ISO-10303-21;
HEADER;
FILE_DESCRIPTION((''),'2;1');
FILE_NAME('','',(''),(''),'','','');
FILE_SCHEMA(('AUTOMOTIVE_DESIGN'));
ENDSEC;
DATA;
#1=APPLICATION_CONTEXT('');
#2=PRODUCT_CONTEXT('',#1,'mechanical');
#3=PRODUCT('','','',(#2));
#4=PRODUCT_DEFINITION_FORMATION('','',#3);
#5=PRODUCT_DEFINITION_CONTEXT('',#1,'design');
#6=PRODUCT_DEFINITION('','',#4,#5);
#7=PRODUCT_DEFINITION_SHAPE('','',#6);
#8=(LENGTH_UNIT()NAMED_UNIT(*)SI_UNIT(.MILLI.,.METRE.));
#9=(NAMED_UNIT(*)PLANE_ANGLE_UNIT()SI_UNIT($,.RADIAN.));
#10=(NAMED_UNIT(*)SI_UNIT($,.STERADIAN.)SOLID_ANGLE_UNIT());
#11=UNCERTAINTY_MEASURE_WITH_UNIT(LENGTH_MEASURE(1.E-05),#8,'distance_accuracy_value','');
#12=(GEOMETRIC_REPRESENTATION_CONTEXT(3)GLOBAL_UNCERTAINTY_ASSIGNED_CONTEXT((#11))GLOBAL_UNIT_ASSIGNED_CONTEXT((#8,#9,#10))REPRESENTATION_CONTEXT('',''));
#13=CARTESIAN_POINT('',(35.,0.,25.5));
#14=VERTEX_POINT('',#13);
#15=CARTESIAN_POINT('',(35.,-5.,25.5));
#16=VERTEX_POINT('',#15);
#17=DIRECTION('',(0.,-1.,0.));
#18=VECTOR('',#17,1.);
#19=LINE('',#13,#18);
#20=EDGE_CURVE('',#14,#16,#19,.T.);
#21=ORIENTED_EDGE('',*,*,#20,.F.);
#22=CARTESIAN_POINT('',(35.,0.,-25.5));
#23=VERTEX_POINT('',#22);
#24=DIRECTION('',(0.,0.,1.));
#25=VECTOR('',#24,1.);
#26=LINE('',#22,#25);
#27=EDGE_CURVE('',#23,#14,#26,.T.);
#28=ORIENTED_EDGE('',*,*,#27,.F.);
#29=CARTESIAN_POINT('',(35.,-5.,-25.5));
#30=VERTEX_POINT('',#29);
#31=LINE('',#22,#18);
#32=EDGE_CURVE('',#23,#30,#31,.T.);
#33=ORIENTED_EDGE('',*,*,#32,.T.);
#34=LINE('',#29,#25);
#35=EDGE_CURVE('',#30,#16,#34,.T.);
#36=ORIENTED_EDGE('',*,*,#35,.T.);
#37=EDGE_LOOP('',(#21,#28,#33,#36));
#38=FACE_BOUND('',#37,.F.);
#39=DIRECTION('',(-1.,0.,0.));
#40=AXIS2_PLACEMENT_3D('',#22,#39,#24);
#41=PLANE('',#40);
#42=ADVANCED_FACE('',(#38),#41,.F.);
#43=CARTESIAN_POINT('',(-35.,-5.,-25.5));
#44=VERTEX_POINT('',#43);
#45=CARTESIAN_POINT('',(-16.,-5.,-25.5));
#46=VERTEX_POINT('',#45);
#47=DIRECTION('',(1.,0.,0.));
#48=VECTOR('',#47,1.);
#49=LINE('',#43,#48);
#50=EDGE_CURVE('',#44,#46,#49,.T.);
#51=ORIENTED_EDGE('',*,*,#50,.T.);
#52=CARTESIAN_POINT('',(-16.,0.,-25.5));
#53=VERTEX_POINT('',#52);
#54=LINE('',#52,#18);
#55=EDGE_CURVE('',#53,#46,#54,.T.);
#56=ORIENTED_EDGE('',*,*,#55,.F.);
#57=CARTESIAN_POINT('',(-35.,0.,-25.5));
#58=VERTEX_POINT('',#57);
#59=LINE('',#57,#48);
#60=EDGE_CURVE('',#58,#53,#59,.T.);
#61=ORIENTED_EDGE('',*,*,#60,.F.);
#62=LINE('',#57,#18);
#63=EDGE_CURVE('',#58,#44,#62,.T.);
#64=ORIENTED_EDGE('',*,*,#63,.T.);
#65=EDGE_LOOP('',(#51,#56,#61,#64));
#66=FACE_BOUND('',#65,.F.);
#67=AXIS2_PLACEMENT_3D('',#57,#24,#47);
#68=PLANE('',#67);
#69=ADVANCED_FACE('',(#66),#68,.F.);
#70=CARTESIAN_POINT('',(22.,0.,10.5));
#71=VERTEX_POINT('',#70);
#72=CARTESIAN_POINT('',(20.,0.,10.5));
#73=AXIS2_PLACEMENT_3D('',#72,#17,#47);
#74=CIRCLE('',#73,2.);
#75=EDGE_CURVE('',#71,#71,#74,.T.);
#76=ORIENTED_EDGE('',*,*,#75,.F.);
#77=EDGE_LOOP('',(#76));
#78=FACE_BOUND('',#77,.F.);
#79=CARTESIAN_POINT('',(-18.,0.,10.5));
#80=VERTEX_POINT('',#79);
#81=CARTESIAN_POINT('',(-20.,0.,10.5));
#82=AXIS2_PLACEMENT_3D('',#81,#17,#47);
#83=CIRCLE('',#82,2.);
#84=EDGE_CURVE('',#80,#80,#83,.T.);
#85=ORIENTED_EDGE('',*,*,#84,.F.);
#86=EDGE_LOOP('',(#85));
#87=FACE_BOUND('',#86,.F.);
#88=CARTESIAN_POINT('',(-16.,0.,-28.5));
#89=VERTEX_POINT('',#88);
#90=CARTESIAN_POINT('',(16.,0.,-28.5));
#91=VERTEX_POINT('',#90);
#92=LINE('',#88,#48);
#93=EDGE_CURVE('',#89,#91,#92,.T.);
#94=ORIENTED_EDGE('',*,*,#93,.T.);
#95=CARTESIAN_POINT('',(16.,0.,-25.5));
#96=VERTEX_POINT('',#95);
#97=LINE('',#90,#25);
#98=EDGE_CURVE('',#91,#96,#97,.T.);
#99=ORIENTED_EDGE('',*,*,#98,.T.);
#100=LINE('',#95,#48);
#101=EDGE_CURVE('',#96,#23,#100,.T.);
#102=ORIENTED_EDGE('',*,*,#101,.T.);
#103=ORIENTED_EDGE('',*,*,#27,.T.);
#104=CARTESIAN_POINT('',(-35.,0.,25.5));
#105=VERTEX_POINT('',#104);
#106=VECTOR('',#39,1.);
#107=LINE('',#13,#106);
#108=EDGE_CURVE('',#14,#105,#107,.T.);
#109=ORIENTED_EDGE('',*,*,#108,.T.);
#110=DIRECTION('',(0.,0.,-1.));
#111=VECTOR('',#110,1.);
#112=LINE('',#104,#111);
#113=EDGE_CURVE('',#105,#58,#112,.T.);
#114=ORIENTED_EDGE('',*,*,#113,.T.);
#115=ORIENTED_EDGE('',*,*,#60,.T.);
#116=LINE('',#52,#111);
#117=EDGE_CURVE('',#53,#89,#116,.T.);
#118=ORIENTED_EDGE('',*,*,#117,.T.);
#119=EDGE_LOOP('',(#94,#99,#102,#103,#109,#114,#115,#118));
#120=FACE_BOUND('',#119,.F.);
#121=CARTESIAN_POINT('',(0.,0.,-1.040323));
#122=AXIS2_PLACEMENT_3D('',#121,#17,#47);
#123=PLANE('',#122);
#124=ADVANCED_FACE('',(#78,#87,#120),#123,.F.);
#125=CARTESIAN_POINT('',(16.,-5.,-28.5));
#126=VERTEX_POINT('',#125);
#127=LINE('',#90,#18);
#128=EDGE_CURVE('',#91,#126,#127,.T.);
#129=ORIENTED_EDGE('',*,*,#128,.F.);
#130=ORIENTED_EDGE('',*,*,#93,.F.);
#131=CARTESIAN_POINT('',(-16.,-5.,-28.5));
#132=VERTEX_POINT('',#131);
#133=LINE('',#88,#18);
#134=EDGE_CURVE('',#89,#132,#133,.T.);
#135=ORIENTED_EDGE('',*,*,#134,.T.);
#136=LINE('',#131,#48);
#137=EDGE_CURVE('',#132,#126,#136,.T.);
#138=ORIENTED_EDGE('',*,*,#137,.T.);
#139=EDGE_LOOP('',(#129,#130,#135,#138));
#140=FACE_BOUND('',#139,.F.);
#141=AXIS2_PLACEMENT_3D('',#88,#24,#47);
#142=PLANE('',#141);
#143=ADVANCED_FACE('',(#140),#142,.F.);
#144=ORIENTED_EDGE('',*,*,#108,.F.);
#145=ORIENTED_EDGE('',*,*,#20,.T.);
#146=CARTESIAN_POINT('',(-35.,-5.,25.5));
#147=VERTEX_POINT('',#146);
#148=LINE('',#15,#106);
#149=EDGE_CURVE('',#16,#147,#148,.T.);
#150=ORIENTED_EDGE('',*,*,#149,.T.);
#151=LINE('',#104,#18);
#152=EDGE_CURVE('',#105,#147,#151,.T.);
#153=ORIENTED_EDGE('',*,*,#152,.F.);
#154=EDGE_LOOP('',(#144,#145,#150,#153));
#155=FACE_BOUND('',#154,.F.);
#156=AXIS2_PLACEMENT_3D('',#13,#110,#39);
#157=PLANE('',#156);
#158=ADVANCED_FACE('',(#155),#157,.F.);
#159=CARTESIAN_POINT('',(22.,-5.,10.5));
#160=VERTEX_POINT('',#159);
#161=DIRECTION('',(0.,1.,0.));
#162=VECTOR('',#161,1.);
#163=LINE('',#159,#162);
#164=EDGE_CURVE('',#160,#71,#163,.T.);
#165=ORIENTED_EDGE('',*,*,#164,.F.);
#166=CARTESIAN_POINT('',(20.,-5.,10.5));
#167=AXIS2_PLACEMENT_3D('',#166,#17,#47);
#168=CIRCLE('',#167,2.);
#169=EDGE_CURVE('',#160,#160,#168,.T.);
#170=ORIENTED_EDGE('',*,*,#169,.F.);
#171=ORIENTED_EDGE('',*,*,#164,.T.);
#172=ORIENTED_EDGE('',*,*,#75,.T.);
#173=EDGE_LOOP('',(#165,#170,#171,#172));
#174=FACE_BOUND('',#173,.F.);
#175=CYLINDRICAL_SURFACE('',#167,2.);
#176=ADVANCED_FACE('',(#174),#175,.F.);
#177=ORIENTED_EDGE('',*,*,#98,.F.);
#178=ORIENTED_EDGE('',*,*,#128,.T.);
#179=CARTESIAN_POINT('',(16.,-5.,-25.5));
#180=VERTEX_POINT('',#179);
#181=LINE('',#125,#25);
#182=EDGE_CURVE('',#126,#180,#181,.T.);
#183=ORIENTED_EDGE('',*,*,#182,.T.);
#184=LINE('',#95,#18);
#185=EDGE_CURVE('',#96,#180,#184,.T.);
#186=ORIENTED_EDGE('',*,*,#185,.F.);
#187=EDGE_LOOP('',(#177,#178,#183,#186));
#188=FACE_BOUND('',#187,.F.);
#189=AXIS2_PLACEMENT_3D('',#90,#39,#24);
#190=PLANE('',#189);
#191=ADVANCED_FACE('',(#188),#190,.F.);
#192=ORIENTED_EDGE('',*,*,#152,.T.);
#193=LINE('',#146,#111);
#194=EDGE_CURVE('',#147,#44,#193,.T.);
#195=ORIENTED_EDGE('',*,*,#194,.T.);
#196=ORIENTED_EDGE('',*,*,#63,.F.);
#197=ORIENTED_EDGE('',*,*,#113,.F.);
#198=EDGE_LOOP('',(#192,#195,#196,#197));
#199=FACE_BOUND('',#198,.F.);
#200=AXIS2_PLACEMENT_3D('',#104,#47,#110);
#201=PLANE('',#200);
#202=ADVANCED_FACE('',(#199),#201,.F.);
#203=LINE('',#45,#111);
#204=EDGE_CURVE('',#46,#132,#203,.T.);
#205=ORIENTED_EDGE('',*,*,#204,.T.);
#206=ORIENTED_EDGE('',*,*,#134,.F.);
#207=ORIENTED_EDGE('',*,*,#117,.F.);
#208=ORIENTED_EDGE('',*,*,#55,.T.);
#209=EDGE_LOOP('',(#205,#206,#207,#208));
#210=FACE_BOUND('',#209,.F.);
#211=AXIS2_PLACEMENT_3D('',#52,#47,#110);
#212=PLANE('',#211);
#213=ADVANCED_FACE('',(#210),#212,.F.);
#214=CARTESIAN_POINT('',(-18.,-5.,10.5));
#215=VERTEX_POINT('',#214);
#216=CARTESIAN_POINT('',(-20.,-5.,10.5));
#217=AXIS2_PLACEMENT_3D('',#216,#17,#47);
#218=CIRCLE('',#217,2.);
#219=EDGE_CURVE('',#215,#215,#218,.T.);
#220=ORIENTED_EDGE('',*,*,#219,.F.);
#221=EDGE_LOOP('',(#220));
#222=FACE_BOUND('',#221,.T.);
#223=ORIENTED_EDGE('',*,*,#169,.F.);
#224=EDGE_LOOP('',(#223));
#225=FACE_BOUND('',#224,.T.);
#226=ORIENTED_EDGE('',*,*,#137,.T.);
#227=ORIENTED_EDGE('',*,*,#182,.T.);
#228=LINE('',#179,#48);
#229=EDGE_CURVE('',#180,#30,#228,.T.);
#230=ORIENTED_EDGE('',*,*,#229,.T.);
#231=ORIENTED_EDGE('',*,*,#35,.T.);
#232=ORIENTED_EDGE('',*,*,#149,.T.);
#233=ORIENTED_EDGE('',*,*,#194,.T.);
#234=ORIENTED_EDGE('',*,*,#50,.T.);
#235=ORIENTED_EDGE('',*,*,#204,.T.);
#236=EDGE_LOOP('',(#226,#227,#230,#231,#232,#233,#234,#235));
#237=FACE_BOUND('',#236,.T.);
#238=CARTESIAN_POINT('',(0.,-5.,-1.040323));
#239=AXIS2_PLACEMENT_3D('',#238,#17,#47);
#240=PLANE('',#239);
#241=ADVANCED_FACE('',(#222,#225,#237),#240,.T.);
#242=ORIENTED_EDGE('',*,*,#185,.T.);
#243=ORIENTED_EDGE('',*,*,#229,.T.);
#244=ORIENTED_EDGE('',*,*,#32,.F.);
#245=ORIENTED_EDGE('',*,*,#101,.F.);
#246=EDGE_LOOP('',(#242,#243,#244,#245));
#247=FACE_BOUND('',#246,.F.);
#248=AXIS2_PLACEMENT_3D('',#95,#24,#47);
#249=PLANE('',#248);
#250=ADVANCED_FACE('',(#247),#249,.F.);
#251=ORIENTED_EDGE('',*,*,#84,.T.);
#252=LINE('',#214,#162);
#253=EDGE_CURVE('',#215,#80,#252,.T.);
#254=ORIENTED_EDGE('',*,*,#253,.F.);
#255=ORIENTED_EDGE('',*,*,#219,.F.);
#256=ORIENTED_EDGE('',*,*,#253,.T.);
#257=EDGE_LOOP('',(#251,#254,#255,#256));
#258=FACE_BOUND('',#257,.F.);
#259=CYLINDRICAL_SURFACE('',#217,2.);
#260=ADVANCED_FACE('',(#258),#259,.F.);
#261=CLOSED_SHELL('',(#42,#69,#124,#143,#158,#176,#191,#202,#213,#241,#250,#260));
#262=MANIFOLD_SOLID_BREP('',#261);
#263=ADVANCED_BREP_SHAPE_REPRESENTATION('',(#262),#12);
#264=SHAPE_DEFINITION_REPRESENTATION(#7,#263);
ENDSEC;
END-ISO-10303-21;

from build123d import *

# Parameters (mm, degrees)
F1_DEPTH = 5
F2_R     = 2
F3_DEPTH = 25


with BuildPart() as f1:
    # F0 (on Front) → F1 (new body)
    with BuildSketch(Plane.XZ):
        Polygon((35, -25.5), (35, 25.5), (-35, 25.5), (-35, -25.5), (-16, -25.5), (-16, -28.5), (16, -28.5), (16, -25.5), align=None)
    extrude(amount=F1_DEPTH)

    # F2 (on face) → F3 (cut)
    with BuildSketch(Plane.XZ.offset(5)):
        with Locations((-20, 10.5)):
            Circle(F2_R)
        with Locations((20, 10.5)):
            Circle(F2_R)
    extrude(amount=-F3_DEPTH, mode=Mode.SUBTRACT)


solid = f1.part
